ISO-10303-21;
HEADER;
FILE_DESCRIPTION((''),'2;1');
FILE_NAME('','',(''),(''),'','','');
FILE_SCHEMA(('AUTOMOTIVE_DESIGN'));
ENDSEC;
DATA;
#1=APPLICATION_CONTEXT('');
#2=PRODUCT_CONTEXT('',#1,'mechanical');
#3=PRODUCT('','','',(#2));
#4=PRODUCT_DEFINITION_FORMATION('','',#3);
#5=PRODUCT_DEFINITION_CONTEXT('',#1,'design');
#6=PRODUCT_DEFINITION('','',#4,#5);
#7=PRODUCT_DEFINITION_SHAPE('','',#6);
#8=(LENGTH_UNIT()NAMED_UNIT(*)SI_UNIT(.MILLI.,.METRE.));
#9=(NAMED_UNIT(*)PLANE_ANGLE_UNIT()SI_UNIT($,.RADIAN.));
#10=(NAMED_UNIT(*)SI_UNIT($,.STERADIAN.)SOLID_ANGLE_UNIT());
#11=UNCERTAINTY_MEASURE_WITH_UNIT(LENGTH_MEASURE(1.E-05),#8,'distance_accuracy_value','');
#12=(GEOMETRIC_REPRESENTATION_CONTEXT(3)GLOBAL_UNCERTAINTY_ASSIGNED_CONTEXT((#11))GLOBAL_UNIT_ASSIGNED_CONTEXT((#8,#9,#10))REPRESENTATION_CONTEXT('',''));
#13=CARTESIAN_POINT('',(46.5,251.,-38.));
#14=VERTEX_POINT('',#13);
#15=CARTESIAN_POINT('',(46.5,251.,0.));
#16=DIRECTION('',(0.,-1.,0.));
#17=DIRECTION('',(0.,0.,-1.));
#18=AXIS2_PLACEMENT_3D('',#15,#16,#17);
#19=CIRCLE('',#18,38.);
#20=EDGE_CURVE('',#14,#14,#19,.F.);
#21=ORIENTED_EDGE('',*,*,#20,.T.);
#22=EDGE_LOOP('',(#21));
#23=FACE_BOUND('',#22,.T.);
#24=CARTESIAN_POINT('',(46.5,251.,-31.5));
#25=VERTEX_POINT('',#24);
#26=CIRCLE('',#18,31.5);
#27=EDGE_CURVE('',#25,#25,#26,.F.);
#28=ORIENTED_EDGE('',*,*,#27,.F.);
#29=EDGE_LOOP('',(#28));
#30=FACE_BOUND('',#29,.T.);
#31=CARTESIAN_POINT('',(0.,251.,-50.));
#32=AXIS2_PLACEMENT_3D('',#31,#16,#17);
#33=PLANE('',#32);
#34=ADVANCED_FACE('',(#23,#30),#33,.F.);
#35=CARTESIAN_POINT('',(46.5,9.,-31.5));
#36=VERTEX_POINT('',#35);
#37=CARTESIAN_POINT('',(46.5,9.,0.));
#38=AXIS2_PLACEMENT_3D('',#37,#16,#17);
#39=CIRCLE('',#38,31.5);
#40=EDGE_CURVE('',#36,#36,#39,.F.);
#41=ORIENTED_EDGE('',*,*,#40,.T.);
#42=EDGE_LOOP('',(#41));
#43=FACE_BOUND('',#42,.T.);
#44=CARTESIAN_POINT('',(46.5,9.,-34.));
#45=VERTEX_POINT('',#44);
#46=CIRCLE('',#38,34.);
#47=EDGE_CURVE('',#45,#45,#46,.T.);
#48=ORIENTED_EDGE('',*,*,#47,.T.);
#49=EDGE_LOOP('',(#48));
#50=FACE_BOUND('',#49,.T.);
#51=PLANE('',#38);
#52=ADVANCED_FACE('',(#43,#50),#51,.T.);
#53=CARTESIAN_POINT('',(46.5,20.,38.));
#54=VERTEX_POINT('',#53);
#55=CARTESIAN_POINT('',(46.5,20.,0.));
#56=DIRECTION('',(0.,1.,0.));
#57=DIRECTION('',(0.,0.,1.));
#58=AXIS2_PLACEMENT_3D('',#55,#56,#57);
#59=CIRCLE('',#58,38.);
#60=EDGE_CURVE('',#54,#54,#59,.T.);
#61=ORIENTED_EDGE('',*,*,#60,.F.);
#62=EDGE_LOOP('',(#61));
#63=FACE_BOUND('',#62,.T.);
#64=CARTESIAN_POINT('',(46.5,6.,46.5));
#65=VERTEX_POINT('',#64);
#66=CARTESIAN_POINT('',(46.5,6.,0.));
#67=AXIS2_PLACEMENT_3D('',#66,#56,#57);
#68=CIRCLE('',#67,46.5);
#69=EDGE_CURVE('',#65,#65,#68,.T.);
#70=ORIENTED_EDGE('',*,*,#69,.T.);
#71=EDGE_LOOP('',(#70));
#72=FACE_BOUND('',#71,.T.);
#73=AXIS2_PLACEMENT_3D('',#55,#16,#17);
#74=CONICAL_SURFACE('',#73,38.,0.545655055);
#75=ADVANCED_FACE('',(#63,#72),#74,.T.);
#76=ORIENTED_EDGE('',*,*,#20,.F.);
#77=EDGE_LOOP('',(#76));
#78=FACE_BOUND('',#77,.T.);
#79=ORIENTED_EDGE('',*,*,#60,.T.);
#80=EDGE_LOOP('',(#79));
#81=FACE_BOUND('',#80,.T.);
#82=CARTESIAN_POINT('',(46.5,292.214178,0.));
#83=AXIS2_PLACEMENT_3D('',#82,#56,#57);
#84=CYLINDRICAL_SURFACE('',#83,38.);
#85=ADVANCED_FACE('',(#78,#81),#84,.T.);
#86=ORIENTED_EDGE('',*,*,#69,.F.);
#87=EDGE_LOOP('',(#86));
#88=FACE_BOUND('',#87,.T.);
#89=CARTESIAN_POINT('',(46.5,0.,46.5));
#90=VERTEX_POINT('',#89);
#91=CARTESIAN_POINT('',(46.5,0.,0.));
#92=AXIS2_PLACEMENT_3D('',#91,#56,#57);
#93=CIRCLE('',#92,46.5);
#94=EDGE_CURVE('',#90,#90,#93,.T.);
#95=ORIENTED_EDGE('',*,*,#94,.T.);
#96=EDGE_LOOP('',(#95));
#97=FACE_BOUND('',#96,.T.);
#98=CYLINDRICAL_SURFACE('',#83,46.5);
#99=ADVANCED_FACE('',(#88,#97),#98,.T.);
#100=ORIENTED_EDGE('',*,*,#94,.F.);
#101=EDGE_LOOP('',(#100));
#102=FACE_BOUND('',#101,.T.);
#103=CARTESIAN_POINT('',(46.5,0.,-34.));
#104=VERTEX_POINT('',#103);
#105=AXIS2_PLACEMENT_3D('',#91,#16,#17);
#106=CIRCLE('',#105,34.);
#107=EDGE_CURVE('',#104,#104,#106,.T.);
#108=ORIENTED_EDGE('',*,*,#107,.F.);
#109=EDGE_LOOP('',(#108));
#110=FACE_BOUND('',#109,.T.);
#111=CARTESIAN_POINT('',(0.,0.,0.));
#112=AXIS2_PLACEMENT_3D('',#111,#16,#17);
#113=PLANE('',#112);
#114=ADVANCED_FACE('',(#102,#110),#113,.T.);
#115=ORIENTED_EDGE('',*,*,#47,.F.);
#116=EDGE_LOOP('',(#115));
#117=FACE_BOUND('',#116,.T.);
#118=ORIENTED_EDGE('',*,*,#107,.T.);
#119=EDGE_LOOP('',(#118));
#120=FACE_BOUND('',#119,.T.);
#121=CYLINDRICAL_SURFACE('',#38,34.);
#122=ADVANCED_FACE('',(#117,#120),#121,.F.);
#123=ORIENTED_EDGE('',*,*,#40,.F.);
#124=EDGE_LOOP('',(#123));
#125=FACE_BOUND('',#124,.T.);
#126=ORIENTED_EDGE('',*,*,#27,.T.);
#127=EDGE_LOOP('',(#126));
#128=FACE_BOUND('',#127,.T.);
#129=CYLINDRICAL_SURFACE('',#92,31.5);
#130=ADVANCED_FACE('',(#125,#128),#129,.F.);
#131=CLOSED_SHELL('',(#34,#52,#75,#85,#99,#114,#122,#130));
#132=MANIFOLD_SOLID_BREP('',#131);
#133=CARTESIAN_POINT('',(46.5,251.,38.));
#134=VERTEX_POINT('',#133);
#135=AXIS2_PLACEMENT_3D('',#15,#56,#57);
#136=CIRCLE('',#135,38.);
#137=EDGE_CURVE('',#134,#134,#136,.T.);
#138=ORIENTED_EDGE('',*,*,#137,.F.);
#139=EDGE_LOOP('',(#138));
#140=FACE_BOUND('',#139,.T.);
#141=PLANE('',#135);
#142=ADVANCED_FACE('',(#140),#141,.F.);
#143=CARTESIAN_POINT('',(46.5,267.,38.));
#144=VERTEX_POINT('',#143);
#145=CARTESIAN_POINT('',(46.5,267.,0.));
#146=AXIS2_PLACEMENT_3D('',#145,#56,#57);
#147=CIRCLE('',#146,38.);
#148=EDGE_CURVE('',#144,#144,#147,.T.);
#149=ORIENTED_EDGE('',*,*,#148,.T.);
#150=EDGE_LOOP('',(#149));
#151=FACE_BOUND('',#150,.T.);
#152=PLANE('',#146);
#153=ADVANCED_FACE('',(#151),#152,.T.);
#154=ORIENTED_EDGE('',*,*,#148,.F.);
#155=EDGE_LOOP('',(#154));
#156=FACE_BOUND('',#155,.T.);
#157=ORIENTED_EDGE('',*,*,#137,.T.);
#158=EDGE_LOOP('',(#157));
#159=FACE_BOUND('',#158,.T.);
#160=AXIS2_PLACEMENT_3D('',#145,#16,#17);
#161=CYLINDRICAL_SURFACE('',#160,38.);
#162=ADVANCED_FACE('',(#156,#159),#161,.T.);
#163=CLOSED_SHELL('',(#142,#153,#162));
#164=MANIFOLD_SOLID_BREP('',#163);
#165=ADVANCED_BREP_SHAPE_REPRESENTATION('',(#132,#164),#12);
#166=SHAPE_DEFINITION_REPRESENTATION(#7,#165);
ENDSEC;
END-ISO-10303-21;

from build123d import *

# Parameters (mm, degrees)
SKETCH_2_R          = 31.5
CUT_EXTRUDE_1_DEPTH = 288.463475941
SKETCH_3_R          = 34
CUT_EXTRUDE_2_DEPTH = 9
SKETCH_4_W          = 90.880259592
SKETCH_4_H          = 24.111111111
CUT_EXTRUDE_3_DEPTH = 50
SKETCH_5_R          = 38
EXTRUDE_1_DEPTH     = 16


with BuildPart() as part:
    # 草圖1 → 旋轉1 (revolve)
    with BuildSketch(Plane.XY, mode=Mode.PRIVATE) as revolve_1_sk:
        Polygon((0, 0), (0, 6), (8.5, 20), (8.5, 268), (46.5, 268), (46.5, 0), align=None)
    revolve(revolve_1_sk.sketch.rotate(Axis((46.5, 292.214178218, 0), (0, -1, 0)), 270), axis=Axis((46.5, 292.214178218, 0), (0, -1, 0)))

    # 草圖2 → 除料-伸長1 (cut, through all)
    with BuildSketch(Plane(origin=(0, 268, 0), x_dir=(1, 0, 0), z_dir=(0, 1, 0))):
        with Locations(Location((46.5, 0, 0), (0, 0, 270))):
            Circle(SKETCH_2_R)
    extrude(amount=-CUT_EXTRUDE_1_DEPTH, mode=Mode.SUBTRACT)

    # 草圖3 → 除料-伸長2 (cut)
    with BuildSketch(Plane.XZ):
        with Locations(Location((46.5, 0, 0), (0, 0, 270))):
            Circle(SKETCH_3_R)
    extrude(amount=-CUT_EXTRUDE_2_DEPTH, mode=Mode.SUBTRACT)

    # 草圖4 → 除料-伸長3 (cut, symmetric)
    with BuildSketch(Plane.XY):
        with Locations((45.440129796, 263.055555556)):
            Rectangle(SKETCH_4_W, SKETCH_4_H)
    extrude(amount=CUT_EXTRUDE_3_DEPTH, both=True, mode=Mode.SUBTRACT)


with BuildPart() as body_2:
    # 草圖5 → 填料-伸長1 (new body)
    with BuildSketch(Plane(origin=(0, 251, 0), x_dir=(1, 0, 0), z_dir=(0, 1, 0))):
        with Locations(Location((46.5, 0, 0), (0, 0, 270))):
            Circle(SKETCH_5_R)
    extrude(amount=EXTRUDE_1_DEPTH)


solid = Compound([part.part, body_2.part])
